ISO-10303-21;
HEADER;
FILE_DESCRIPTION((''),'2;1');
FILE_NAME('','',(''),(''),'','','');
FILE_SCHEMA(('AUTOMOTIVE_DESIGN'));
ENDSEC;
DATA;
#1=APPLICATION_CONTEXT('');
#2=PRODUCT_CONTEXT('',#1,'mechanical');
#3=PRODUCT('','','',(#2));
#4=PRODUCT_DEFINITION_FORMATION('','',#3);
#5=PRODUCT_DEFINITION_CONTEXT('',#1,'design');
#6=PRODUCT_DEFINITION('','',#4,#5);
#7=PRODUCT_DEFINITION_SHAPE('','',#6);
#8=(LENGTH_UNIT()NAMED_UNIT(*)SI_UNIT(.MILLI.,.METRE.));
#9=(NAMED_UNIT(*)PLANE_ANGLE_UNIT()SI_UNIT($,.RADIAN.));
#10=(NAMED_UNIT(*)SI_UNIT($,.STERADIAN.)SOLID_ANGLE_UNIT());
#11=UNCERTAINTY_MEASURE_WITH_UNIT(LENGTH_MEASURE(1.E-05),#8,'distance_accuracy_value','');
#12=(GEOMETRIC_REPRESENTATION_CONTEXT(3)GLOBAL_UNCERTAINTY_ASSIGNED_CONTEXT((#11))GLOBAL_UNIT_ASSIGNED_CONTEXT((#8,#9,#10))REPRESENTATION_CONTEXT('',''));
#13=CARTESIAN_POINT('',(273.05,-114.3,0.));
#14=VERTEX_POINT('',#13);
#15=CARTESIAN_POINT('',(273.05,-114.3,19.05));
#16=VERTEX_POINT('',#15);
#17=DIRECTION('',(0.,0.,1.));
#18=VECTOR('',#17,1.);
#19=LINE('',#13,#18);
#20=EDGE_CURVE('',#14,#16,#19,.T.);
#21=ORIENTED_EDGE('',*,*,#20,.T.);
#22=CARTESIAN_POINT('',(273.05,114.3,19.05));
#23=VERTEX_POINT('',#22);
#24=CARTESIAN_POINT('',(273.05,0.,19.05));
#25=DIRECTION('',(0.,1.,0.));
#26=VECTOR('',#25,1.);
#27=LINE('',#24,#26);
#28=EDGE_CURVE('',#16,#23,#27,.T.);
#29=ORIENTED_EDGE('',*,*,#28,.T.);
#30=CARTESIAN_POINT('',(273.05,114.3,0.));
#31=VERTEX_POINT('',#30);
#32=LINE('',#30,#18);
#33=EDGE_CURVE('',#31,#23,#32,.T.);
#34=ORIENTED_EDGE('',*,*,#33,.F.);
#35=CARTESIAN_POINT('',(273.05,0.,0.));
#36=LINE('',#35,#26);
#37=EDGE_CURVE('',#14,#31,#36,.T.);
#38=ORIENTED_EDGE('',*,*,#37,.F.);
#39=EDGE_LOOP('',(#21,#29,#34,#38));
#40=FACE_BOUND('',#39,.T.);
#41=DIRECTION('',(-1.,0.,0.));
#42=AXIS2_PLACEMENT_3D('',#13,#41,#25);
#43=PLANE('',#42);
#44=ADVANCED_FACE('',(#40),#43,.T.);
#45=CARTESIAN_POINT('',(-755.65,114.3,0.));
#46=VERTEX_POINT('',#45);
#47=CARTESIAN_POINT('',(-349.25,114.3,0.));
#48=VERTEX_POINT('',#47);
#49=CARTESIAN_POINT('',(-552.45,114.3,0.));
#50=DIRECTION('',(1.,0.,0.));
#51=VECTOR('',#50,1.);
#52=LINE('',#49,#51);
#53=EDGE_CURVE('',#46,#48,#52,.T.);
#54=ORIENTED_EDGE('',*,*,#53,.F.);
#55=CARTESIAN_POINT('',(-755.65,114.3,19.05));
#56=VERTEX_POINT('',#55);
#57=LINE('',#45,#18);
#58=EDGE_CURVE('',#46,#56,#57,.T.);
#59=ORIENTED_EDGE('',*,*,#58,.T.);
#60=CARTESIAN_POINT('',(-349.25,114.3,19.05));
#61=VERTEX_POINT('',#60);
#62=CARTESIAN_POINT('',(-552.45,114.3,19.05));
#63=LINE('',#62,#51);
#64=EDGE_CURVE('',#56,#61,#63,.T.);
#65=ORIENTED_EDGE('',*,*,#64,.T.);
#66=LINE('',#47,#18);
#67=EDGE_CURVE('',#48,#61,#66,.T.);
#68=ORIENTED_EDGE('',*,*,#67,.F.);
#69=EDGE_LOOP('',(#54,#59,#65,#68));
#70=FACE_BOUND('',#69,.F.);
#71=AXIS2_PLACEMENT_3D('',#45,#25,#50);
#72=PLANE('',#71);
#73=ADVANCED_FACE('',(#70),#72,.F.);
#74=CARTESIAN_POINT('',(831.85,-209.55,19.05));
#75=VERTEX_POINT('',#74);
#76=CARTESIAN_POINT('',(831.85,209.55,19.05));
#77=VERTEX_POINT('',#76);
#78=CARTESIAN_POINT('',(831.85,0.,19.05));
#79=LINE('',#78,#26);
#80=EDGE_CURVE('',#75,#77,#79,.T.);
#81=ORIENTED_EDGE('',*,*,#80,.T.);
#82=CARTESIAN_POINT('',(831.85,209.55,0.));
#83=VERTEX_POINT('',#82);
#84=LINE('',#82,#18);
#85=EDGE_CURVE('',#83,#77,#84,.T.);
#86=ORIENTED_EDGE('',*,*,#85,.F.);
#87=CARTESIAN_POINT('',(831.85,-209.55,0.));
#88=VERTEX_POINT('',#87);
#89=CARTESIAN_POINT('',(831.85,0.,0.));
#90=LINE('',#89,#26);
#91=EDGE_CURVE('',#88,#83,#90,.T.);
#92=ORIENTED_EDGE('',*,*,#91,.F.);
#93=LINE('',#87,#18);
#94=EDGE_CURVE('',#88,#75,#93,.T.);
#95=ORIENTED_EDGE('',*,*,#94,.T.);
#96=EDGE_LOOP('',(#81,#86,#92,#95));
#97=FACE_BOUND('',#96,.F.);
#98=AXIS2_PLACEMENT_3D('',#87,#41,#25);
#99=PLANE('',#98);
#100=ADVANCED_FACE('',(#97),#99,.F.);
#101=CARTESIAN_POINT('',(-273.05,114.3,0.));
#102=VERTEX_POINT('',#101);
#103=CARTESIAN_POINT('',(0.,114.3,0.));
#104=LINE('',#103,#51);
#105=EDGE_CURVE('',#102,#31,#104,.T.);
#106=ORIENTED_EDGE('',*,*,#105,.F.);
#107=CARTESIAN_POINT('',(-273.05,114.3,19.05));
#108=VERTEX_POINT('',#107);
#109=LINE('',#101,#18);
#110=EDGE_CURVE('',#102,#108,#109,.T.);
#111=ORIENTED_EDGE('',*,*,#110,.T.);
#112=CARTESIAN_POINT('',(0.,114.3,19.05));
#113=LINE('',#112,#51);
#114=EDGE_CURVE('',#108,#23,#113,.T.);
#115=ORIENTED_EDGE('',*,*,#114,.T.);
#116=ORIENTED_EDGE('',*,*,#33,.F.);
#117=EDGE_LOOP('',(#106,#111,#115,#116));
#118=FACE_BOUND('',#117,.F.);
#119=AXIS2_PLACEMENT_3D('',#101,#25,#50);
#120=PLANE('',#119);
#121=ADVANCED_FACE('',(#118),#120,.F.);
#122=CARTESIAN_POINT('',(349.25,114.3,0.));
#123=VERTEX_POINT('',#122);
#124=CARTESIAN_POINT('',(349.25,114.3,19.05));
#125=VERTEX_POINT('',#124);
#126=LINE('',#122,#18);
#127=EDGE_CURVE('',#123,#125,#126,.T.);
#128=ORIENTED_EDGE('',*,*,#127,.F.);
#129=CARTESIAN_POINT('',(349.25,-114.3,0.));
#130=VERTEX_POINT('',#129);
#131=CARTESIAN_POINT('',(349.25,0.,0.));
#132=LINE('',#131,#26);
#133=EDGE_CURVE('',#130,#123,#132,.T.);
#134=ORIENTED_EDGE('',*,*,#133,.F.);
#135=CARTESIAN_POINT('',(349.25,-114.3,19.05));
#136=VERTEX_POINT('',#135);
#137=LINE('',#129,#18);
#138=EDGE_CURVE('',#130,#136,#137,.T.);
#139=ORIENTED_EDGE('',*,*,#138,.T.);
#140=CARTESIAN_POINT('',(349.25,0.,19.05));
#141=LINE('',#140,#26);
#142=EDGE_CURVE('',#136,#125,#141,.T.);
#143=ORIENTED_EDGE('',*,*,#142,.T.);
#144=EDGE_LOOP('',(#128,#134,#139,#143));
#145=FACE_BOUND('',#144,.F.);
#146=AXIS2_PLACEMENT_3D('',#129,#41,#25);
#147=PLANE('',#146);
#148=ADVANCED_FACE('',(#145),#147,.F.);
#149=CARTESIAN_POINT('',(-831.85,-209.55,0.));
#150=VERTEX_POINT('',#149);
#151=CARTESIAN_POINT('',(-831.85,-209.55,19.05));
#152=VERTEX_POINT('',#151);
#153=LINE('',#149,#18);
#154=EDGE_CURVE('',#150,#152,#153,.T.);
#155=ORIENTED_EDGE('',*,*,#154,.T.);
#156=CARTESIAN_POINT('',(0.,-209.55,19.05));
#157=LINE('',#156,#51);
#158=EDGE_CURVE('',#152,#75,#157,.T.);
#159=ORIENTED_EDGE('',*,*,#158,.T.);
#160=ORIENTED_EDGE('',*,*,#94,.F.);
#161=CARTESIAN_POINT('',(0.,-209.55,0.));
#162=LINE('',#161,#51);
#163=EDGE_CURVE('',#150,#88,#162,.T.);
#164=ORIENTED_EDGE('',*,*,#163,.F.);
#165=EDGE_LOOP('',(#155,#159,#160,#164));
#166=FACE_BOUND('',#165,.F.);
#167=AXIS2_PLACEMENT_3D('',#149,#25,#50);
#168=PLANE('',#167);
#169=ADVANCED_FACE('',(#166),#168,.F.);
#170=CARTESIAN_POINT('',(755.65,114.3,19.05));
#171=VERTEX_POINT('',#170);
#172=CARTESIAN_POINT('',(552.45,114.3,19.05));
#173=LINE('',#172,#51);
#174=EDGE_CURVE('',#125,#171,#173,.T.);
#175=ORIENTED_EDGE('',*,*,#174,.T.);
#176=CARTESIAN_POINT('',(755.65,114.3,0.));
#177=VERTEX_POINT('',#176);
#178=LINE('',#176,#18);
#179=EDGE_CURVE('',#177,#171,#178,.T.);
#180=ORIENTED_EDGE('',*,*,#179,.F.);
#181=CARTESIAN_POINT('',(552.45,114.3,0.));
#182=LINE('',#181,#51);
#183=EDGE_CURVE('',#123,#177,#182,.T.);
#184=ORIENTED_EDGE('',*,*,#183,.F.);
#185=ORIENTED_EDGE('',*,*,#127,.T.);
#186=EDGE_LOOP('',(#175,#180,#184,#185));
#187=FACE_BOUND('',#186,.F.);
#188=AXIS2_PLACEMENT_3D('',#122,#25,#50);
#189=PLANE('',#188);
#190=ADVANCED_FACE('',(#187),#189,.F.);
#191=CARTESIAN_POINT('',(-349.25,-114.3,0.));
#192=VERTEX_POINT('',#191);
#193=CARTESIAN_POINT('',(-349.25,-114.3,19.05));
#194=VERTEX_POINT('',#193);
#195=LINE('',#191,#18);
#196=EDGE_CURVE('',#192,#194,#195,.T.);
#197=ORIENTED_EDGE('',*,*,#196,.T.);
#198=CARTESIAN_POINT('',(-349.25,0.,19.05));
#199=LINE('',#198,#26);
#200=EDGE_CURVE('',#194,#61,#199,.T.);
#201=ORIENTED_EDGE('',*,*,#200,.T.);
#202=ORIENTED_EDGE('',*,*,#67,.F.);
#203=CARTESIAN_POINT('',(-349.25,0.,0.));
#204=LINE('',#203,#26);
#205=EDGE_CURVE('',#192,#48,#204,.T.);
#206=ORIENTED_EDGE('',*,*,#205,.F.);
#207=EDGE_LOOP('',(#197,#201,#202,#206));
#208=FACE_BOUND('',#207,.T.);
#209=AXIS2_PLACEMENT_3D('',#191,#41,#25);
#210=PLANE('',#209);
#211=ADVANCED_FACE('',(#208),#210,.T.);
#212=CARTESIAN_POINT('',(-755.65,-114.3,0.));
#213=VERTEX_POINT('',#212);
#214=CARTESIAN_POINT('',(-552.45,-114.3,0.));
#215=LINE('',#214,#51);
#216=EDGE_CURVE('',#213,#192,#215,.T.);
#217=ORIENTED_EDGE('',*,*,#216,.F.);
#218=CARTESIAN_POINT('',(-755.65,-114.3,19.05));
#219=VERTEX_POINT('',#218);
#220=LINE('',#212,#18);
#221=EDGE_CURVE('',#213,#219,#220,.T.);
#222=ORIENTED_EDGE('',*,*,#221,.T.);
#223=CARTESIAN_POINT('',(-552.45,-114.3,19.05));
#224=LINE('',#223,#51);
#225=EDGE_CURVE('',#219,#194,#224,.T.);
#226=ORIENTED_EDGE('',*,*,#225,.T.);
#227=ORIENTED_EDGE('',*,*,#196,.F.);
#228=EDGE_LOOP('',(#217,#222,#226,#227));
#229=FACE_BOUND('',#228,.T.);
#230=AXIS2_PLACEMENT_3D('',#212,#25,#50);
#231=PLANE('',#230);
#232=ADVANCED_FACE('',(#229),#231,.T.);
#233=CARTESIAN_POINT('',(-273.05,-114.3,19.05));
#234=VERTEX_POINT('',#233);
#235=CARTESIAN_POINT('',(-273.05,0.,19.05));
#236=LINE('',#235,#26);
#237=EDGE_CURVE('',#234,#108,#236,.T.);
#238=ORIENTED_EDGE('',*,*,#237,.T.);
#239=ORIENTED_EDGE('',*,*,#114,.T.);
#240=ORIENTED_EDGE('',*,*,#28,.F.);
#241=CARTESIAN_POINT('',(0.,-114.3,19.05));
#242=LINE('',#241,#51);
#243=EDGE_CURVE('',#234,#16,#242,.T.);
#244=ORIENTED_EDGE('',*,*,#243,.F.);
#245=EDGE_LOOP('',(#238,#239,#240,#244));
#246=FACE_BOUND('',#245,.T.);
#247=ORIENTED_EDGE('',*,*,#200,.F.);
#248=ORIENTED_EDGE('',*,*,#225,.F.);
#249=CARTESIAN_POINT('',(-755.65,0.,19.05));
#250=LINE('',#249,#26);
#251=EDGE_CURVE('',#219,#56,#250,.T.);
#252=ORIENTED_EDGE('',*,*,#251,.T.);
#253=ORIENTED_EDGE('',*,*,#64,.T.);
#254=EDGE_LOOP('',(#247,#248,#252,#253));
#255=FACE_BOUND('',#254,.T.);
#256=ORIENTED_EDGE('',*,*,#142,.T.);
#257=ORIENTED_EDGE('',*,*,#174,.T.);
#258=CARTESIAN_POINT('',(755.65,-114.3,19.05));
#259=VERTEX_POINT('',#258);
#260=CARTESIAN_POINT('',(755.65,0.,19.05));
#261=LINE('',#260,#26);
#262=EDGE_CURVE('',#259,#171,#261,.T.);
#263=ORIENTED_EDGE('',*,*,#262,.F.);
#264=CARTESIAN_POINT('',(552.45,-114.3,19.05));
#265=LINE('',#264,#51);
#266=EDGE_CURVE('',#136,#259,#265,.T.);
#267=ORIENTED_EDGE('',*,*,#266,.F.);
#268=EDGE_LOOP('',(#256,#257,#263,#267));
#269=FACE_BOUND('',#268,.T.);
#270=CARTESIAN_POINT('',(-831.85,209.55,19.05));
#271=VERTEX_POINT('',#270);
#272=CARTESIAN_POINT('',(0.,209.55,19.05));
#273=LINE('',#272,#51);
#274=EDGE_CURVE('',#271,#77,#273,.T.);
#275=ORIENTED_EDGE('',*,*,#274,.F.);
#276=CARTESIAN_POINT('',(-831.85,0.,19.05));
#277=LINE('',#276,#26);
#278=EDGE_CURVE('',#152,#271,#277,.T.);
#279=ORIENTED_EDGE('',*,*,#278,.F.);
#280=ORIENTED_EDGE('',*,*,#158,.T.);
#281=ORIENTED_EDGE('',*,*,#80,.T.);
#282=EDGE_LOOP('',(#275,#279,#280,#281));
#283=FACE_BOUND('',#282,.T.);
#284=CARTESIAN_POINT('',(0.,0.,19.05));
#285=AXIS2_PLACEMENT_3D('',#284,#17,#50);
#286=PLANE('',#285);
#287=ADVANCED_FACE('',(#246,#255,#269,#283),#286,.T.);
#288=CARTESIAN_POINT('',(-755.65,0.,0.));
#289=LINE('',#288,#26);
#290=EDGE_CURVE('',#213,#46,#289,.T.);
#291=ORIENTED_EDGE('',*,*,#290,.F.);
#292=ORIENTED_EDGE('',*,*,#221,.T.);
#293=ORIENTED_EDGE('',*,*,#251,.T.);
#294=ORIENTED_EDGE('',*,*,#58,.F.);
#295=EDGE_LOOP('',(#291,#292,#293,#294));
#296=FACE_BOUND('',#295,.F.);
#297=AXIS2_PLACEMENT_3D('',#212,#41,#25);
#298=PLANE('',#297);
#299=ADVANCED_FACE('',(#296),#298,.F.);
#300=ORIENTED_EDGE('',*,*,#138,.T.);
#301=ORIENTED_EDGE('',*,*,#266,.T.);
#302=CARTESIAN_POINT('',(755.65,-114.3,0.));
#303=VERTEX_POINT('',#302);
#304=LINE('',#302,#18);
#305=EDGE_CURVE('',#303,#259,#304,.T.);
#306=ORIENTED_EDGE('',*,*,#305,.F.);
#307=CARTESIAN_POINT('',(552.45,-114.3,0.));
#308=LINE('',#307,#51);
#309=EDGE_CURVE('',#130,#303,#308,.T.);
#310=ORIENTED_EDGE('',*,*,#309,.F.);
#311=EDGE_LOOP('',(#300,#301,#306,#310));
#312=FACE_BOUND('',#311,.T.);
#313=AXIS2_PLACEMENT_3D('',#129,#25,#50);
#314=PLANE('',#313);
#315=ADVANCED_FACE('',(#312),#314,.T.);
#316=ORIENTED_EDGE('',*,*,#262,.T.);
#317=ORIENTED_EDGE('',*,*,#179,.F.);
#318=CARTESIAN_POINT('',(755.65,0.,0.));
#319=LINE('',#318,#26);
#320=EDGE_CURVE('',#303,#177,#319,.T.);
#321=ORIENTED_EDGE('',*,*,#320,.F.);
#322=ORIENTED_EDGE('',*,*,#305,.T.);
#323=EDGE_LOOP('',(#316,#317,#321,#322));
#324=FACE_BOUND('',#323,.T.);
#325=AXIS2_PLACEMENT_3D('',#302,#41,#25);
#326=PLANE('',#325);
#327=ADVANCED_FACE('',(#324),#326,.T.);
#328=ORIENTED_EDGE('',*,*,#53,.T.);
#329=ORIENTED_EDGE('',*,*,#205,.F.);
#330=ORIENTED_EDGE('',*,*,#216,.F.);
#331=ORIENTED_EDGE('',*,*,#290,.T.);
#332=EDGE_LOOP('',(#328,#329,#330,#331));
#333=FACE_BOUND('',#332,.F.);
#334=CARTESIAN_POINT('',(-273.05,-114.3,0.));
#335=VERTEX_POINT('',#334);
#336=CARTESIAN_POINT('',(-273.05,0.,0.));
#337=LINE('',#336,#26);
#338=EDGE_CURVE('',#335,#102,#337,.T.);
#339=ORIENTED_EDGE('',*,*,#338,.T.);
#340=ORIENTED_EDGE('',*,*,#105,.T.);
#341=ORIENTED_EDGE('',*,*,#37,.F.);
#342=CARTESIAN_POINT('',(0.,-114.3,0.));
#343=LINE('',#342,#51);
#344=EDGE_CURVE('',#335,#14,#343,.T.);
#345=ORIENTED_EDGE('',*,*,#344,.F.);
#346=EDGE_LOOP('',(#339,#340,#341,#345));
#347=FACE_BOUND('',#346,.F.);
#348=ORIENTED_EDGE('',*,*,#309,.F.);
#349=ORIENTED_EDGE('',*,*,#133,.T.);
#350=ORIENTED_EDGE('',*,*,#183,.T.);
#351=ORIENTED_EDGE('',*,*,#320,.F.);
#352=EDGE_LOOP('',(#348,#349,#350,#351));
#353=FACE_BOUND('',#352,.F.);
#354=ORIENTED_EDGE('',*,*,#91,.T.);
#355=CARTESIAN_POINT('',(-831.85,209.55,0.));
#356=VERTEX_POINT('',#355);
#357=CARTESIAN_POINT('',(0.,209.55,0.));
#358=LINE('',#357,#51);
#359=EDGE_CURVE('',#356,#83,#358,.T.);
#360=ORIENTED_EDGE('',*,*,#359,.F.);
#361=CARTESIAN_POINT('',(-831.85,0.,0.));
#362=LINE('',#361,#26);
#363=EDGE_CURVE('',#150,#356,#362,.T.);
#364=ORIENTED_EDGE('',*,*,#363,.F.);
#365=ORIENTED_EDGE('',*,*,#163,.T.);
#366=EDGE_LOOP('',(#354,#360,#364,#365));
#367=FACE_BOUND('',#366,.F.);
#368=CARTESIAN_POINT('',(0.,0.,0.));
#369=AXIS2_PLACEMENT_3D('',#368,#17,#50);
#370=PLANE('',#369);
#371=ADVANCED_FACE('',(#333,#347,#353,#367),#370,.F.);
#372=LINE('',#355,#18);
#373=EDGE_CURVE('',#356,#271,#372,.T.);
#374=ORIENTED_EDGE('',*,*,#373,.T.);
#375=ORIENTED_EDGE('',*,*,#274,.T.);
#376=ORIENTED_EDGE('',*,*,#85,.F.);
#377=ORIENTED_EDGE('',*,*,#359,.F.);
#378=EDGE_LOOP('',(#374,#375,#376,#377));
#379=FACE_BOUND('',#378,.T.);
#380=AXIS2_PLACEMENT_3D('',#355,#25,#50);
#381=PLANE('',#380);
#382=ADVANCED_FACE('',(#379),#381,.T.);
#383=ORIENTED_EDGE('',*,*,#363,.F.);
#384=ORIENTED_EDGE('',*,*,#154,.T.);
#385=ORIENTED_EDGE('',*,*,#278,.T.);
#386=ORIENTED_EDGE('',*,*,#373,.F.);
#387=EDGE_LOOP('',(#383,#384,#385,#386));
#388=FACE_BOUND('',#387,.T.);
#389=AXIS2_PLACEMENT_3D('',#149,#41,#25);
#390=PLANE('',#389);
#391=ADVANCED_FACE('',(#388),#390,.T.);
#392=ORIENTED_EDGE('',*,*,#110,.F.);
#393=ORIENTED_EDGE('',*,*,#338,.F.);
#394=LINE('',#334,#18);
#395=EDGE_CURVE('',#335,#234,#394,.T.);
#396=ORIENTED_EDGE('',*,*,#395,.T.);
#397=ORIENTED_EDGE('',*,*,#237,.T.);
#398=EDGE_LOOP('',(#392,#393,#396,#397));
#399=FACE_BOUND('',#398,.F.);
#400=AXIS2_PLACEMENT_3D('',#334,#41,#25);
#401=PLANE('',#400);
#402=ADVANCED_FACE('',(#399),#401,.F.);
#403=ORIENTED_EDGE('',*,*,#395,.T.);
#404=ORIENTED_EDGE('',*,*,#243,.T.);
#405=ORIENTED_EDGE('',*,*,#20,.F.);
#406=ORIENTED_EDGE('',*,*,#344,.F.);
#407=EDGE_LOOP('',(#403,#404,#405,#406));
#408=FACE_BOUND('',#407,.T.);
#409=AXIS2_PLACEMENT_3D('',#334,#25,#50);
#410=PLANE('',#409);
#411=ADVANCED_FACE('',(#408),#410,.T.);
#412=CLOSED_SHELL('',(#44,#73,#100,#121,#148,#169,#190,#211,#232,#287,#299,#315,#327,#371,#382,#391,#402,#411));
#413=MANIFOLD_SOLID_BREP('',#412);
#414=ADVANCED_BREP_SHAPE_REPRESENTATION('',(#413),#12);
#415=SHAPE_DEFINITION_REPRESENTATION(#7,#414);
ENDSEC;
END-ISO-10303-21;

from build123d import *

# Parameters (mm, degrees)
F0_W     = 1663.7
F0_H     = 419.1
F0_W_2   = 406.4
F0_H_2   = 228.6
F0_W_3   = 546.1
F1_DEPTH = 19.05


with BuildPart() as f1:
    # F0 (on Top) → F1 (new body)
    with BuildSketch(Plane.XY):
        Rectangle(F0_W, F0_H)
        with Locations((-552.45, 0)):
            Rectangle(F0_W_2, F0_H_2, mode=Mode.SUBTRACT)
        Rectangle(F0_W_3, F0_H_2, mode=Mode.SUBTRACT)
        with Locations((552.45, 0)):
            Rectangle(F0_W_2, F0_H_2, mode=Mode.SUBTRACT)
    extrude(amount=F1_DEPTH)


solid = f1.part
